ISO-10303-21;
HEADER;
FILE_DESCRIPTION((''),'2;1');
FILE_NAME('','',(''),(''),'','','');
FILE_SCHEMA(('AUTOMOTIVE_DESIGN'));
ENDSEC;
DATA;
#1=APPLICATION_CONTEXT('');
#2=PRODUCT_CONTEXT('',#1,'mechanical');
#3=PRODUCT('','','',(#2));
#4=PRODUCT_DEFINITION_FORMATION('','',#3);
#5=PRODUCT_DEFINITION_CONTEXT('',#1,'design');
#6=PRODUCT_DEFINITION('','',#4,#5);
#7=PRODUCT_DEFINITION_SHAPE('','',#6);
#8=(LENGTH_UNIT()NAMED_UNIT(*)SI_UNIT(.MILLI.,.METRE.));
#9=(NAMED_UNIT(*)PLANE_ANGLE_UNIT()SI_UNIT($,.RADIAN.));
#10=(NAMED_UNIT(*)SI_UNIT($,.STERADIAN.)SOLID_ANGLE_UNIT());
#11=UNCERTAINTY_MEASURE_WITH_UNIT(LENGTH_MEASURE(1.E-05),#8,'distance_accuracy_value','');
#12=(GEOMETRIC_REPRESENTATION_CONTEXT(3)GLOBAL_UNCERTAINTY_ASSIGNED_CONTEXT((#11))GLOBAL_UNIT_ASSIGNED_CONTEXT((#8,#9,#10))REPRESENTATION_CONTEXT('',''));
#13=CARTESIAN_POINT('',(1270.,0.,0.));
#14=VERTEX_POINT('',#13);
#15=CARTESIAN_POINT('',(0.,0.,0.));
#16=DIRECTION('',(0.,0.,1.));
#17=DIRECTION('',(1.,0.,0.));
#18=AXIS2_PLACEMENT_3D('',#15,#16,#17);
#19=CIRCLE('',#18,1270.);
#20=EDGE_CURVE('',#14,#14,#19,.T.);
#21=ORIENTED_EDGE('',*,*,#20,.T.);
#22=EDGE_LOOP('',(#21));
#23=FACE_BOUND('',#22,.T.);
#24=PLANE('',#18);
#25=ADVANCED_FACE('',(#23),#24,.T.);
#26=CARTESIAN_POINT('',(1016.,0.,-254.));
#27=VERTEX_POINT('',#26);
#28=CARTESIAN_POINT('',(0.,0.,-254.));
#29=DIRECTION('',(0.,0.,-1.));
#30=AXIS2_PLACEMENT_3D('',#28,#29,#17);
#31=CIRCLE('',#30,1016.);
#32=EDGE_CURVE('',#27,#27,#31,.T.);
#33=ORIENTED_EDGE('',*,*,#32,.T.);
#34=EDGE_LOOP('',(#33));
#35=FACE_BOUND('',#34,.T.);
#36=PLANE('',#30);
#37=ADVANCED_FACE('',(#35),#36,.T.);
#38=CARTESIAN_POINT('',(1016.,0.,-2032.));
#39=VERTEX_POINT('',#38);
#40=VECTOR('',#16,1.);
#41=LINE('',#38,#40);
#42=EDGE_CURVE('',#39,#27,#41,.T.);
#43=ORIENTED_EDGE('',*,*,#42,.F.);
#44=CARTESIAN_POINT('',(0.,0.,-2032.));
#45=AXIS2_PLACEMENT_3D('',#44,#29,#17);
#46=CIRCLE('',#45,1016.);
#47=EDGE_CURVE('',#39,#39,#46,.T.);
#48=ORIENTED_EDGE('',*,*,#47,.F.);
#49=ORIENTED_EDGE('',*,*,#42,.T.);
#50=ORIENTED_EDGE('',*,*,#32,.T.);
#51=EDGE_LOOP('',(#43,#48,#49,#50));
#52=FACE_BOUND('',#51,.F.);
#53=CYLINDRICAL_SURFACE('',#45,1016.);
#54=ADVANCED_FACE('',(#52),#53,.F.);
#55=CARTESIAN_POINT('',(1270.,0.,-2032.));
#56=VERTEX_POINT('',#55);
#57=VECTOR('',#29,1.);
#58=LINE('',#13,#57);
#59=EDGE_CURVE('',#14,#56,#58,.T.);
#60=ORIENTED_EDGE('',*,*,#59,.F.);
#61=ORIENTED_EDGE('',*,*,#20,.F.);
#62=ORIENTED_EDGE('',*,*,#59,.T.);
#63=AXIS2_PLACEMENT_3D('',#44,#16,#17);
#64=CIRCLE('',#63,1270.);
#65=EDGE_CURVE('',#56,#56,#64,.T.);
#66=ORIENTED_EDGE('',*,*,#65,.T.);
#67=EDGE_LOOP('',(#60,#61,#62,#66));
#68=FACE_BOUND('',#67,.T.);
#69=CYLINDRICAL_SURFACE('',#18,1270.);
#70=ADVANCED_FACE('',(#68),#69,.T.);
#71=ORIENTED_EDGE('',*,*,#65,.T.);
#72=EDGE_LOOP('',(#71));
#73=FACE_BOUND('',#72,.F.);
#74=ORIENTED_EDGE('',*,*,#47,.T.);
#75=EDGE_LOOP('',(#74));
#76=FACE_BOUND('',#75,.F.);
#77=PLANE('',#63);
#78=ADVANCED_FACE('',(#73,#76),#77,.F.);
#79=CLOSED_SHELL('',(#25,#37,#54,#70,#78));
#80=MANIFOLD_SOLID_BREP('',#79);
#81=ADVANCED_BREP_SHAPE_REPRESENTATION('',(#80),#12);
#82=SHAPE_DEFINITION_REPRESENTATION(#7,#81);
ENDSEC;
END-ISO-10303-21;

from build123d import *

# Parameters (mm, degrees)
F0_R     = 1270
F1_DEPTH = 2032
F2_R     = 1016
F3_DEPTH = 1778


with BuildPart() as f1:
    # F0 (on Top) → F1 (new body)
    with BuildSketch(Plane.XY):
        Circle(F0_R)
    extrude(amount=-F1_DEPTH)

    # F2 (on face) → F3 (cut)
    with BuildSketch(Plane(origin=(0, 0, -2032), x_dir=(1, 0, 0), z_dir=(0, 0, -1))):
        Circle(F2_R)
    extrude(amount=-F3_DEPTH, mode=Mode.SUBTRACT)


solid = f1.part
